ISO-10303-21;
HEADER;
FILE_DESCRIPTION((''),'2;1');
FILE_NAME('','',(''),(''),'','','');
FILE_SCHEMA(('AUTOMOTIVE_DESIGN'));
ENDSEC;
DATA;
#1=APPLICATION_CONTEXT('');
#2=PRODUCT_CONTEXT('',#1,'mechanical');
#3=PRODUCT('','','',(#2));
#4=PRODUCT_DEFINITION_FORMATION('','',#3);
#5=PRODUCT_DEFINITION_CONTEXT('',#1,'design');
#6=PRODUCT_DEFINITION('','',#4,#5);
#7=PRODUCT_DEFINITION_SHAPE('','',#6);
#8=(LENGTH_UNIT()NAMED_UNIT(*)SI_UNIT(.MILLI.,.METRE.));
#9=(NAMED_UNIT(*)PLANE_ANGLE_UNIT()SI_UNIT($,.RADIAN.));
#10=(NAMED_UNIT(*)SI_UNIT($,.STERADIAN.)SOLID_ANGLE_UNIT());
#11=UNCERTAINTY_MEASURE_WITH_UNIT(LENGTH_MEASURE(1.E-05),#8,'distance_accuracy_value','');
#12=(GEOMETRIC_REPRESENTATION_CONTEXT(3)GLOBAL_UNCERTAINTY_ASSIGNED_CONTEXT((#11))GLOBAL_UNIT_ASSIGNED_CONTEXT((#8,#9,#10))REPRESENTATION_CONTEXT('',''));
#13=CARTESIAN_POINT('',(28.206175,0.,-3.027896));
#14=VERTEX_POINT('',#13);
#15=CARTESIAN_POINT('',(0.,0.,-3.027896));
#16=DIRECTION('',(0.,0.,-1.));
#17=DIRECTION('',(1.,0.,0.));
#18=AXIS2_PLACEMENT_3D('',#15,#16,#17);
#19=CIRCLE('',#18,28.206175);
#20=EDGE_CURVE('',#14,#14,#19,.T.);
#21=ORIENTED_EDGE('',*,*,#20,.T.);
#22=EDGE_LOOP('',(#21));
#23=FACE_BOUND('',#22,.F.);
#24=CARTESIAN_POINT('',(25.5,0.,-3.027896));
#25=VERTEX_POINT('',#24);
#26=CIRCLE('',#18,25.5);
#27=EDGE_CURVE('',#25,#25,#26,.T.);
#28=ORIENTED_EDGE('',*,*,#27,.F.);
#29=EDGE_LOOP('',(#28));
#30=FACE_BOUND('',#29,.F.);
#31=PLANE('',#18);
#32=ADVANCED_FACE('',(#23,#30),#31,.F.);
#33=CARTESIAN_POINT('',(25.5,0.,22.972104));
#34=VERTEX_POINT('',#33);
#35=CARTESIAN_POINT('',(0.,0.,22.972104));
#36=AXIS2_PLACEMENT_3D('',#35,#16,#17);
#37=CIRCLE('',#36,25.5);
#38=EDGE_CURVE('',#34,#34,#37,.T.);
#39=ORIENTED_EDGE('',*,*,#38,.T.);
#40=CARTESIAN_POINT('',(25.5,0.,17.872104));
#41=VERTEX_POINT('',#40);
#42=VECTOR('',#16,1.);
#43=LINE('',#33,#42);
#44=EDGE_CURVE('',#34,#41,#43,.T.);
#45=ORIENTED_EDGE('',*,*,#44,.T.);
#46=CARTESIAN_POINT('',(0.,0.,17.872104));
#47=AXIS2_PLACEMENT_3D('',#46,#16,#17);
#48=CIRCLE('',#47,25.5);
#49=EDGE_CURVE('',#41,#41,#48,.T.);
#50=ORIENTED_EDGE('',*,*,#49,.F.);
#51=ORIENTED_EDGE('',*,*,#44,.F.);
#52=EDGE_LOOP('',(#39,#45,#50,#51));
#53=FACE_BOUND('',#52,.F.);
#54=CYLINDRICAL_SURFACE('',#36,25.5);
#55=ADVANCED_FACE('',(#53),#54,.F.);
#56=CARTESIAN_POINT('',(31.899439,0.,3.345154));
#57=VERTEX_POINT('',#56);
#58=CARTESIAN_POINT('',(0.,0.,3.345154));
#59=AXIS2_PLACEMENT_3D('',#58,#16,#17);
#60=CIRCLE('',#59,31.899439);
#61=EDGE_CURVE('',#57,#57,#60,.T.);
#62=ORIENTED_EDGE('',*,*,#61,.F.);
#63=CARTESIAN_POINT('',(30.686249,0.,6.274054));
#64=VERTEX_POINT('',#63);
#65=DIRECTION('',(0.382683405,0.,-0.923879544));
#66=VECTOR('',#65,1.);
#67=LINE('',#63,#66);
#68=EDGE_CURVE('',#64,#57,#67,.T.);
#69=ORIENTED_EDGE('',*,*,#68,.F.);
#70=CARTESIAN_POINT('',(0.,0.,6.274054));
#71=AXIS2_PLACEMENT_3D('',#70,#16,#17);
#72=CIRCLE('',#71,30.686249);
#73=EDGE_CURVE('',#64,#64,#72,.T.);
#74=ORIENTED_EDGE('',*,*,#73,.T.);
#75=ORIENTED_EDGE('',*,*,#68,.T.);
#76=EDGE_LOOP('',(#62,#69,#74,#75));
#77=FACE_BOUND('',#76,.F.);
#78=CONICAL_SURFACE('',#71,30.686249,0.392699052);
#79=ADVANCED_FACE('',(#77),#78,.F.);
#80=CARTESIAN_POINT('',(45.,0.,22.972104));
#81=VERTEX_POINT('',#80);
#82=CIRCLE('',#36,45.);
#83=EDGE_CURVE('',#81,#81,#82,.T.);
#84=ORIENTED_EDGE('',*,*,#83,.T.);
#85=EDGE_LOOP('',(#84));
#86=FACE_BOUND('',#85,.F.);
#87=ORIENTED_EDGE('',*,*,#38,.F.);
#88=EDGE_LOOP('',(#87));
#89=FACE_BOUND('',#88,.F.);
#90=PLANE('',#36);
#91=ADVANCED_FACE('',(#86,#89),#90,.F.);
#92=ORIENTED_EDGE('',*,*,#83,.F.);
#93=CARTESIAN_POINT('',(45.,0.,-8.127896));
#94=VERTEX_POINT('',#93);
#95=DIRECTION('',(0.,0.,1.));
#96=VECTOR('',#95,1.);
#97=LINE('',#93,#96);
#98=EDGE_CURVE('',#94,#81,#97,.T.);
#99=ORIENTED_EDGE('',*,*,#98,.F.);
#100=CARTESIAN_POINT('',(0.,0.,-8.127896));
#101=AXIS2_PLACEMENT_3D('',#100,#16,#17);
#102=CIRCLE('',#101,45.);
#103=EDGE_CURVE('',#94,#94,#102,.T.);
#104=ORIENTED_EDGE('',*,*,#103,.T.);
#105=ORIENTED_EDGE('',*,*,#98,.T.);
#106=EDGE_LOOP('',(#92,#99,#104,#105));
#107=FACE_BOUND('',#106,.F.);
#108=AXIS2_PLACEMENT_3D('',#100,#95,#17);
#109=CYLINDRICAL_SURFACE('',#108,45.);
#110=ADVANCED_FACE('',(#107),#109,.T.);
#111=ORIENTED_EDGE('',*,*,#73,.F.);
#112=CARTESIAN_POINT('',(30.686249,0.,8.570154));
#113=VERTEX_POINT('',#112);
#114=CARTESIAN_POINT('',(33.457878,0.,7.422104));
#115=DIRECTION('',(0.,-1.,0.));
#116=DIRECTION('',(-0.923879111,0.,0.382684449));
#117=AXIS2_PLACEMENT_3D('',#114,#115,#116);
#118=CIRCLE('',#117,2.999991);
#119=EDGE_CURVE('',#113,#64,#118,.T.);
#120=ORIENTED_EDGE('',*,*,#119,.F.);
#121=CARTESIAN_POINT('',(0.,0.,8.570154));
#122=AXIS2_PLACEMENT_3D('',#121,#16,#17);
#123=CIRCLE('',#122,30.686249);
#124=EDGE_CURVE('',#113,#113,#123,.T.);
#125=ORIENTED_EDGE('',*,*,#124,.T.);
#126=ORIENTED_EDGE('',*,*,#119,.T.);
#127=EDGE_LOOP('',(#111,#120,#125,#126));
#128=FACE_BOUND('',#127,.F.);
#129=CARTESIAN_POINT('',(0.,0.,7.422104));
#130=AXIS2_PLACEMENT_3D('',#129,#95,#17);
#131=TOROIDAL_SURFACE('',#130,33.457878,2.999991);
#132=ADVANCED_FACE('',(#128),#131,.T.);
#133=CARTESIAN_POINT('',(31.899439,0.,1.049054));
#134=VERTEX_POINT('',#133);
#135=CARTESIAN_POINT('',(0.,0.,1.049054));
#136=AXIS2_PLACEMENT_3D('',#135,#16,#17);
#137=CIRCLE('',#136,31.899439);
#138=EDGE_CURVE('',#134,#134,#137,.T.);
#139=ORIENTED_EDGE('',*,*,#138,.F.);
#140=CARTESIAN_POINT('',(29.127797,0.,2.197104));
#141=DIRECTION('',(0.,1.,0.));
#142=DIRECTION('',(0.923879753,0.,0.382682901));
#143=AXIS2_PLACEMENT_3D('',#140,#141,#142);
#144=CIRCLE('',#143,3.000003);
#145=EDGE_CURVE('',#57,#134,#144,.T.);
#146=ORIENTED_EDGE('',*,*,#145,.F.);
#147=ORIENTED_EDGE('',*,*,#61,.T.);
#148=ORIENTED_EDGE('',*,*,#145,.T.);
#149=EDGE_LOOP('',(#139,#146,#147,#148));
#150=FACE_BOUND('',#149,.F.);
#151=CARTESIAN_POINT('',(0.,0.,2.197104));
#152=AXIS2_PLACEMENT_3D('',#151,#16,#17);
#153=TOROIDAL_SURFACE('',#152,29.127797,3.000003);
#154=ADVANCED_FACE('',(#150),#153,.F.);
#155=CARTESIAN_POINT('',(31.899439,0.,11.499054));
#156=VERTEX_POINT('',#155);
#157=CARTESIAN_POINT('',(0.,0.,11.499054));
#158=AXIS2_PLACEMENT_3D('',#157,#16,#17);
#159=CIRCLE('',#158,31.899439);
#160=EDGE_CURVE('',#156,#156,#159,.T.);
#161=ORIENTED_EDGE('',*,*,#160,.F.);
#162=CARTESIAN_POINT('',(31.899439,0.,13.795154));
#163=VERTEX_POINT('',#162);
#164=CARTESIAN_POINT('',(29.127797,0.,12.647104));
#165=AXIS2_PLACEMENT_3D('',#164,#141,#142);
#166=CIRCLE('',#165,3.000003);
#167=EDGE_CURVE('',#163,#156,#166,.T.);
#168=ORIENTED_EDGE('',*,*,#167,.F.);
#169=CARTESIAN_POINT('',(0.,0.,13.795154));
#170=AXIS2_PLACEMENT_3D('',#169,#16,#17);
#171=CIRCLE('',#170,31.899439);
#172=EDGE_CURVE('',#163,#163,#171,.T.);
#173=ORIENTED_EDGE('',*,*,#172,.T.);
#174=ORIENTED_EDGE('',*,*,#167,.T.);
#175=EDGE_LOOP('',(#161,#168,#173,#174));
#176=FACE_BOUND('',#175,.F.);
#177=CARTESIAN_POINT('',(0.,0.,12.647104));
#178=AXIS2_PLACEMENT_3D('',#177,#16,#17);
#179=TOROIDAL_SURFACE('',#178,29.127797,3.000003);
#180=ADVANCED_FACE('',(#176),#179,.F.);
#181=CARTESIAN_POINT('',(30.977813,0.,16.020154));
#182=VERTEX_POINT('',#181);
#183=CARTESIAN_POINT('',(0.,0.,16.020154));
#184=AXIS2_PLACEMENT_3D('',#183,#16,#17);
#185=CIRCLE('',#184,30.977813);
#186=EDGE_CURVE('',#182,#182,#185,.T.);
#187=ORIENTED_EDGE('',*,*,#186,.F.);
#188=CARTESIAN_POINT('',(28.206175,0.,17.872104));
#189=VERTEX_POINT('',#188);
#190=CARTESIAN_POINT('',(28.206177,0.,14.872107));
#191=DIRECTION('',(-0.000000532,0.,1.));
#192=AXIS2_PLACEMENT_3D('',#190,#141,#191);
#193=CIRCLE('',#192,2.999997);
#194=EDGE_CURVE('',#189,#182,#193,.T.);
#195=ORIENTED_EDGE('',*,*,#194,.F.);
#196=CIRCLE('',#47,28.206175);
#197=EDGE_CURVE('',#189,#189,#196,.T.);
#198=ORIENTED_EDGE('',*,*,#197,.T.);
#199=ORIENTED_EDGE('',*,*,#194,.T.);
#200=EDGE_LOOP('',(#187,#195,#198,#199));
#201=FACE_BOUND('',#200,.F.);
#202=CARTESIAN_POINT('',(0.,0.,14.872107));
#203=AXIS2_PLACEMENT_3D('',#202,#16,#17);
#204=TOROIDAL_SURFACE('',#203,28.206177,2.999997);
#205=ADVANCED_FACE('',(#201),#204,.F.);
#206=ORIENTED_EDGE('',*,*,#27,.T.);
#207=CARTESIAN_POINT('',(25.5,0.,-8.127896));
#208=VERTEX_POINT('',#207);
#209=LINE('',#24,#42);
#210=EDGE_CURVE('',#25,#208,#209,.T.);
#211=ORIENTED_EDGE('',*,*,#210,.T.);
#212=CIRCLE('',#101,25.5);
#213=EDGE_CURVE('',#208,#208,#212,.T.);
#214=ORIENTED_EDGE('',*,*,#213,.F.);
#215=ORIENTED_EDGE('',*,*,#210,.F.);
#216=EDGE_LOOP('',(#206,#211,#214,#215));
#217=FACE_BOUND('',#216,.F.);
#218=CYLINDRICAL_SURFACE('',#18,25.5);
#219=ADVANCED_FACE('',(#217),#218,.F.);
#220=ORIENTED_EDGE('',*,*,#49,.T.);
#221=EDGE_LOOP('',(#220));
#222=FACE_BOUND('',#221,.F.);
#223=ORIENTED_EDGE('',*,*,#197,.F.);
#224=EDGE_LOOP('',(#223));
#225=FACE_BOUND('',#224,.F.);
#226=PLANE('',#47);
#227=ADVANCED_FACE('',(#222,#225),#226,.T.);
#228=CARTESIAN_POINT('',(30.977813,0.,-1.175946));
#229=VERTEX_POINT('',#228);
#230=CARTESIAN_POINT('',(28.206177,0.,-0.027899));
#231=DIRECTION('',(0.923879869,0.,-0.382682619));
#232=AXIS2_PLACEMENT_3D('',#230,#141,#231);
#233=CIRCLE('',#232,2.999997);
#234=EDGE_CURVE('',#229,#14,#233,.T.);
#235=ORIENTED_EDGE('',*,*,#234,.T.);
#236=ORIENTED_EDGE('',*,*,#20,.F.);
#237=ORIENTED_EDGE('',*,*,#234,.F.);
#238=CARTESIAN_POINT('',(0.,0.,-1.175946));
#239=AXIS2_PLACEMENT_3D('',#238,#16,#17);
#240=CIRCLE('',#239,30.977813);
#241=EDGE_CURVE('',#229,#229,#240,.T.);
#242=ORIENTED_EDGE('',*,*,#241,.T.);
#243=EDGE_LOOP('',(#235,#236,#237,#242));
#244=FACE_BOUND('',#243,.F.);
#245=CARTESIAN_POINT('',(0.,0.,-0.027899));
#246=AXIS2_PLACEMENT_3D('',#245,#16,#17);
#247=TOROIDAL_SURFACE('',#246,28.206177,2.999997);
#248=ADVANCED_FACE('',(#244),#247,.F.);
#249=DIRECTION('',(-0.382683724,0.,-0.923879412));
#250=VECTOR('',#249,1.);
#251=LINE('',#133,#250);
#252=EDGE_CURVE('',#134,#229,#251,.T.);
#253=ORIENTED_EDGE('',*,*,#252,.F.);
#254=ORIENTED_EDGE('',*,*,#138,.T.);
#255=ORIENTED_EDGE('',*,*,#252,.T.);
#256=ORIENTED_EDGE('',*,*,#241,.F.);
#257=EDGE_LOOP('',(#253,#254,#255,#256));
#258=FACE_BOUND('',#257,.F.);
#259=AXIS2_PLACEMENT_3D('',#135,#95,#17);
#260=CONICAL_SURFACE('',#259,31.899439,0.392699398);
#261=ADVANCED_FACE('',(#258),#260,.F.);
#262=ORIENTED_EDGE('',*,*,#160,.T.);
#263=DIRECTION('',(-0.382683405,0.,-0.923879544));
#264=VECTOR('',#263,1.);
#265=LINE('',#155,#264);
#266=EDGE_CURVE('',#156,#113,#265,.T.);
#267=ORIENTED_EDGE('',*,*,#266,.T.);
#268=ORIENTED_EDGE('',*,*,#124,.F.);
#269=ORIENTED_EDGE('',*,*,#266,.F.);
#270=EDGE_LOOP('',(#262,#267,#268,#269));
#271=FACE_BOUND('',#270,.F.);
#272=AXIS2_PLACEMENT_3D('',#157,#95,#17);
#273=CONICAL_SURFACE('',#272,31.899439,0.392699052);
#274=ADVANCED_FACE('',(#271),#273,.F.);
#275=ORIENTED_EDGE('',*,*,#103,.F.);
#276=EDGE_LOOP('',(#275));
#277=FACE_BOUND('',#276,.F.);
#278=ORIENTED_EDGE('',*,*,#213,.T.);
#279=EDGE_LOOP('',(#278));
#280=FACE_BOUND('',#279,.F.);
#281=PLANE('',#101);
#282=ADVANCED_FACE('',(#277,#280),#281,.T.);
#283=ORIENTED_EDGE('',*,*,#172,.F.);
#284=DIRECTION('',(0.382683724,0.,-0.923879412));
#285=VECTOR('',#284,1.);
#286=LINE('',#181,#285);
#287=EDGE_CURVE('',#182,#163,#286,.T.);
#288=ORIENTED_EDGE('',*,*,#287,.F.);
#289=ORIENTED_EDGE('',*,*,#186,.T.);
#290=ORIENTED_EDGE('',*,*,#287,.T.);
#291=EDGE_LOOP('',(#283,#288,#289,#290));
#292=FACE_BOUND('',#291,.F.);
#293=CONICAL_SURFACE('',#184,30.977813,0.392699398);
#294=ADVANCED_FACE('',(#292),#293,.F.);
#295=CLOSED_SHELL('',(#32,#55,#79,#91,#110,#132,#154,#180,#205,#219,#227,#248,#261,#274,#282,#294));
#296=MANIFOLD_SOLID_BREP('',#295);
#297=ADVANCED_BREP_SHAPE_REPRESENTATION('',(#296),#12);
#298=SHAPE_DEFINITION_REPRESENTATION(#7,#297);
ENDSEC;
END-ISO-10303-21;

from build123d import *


with BuildPart() as f1:
    # F0 (on Front) → F1 (revolve)
    with BuildSketch(Plane.XZ):
        with BuildLine():
            Line((45, 22.972104), (25.5, 22.972104))
            Line((25.5, 22.972104), (25.5, 17.872104))
            Line((25.5, 17.872104), (28.206175, 17.872104))
            ThreePointArc((28.206175, 17.872104), (29.872886, 17.366513), (30.977813, 16.020154))
            Line((30.977813, 16.020154), (31.899439, 13.795154))
            ThreePointArc((31.899439, 13.795154), (32.1278, 12.647104), (31.899439, 11.499054))
            Line((31.899439, 11.499054), (30.686249, 8.570154))
            ThreePointArc((30.686249, 8.570154), (30.457887, 7.422104), (30.686249, 6.274054))
            Line((30.686249, 6.274054), (31.899439, 3.345154))
            ThreePointArc((31.899439, 3.345154), (32.1278, 2.197104), (31.899439, 1.049054))
            Line((31.899439, 1.049054), (30.977813, -1.175946))
            ThreePointArc((30.977813, -1.175946), (29.872886, -2.522305), (28.206175, -3.027896))
            Line((28.206175, -3.027896), (27.959198, -3.027896))
            Line((27.959198, -3.027896), (25.5, -3.027896))
            Line((25.5, -3.027896), (25.5, -8.127896))
            Line((25.5, -8.127896), (45, -8.127896))
            Line((45, -8.127896), (45, 22.972104))
        make_face()
    revolve(axis=Axis((0, 0, 7.422104), (0, 0, -1)))


solid = f1.part
